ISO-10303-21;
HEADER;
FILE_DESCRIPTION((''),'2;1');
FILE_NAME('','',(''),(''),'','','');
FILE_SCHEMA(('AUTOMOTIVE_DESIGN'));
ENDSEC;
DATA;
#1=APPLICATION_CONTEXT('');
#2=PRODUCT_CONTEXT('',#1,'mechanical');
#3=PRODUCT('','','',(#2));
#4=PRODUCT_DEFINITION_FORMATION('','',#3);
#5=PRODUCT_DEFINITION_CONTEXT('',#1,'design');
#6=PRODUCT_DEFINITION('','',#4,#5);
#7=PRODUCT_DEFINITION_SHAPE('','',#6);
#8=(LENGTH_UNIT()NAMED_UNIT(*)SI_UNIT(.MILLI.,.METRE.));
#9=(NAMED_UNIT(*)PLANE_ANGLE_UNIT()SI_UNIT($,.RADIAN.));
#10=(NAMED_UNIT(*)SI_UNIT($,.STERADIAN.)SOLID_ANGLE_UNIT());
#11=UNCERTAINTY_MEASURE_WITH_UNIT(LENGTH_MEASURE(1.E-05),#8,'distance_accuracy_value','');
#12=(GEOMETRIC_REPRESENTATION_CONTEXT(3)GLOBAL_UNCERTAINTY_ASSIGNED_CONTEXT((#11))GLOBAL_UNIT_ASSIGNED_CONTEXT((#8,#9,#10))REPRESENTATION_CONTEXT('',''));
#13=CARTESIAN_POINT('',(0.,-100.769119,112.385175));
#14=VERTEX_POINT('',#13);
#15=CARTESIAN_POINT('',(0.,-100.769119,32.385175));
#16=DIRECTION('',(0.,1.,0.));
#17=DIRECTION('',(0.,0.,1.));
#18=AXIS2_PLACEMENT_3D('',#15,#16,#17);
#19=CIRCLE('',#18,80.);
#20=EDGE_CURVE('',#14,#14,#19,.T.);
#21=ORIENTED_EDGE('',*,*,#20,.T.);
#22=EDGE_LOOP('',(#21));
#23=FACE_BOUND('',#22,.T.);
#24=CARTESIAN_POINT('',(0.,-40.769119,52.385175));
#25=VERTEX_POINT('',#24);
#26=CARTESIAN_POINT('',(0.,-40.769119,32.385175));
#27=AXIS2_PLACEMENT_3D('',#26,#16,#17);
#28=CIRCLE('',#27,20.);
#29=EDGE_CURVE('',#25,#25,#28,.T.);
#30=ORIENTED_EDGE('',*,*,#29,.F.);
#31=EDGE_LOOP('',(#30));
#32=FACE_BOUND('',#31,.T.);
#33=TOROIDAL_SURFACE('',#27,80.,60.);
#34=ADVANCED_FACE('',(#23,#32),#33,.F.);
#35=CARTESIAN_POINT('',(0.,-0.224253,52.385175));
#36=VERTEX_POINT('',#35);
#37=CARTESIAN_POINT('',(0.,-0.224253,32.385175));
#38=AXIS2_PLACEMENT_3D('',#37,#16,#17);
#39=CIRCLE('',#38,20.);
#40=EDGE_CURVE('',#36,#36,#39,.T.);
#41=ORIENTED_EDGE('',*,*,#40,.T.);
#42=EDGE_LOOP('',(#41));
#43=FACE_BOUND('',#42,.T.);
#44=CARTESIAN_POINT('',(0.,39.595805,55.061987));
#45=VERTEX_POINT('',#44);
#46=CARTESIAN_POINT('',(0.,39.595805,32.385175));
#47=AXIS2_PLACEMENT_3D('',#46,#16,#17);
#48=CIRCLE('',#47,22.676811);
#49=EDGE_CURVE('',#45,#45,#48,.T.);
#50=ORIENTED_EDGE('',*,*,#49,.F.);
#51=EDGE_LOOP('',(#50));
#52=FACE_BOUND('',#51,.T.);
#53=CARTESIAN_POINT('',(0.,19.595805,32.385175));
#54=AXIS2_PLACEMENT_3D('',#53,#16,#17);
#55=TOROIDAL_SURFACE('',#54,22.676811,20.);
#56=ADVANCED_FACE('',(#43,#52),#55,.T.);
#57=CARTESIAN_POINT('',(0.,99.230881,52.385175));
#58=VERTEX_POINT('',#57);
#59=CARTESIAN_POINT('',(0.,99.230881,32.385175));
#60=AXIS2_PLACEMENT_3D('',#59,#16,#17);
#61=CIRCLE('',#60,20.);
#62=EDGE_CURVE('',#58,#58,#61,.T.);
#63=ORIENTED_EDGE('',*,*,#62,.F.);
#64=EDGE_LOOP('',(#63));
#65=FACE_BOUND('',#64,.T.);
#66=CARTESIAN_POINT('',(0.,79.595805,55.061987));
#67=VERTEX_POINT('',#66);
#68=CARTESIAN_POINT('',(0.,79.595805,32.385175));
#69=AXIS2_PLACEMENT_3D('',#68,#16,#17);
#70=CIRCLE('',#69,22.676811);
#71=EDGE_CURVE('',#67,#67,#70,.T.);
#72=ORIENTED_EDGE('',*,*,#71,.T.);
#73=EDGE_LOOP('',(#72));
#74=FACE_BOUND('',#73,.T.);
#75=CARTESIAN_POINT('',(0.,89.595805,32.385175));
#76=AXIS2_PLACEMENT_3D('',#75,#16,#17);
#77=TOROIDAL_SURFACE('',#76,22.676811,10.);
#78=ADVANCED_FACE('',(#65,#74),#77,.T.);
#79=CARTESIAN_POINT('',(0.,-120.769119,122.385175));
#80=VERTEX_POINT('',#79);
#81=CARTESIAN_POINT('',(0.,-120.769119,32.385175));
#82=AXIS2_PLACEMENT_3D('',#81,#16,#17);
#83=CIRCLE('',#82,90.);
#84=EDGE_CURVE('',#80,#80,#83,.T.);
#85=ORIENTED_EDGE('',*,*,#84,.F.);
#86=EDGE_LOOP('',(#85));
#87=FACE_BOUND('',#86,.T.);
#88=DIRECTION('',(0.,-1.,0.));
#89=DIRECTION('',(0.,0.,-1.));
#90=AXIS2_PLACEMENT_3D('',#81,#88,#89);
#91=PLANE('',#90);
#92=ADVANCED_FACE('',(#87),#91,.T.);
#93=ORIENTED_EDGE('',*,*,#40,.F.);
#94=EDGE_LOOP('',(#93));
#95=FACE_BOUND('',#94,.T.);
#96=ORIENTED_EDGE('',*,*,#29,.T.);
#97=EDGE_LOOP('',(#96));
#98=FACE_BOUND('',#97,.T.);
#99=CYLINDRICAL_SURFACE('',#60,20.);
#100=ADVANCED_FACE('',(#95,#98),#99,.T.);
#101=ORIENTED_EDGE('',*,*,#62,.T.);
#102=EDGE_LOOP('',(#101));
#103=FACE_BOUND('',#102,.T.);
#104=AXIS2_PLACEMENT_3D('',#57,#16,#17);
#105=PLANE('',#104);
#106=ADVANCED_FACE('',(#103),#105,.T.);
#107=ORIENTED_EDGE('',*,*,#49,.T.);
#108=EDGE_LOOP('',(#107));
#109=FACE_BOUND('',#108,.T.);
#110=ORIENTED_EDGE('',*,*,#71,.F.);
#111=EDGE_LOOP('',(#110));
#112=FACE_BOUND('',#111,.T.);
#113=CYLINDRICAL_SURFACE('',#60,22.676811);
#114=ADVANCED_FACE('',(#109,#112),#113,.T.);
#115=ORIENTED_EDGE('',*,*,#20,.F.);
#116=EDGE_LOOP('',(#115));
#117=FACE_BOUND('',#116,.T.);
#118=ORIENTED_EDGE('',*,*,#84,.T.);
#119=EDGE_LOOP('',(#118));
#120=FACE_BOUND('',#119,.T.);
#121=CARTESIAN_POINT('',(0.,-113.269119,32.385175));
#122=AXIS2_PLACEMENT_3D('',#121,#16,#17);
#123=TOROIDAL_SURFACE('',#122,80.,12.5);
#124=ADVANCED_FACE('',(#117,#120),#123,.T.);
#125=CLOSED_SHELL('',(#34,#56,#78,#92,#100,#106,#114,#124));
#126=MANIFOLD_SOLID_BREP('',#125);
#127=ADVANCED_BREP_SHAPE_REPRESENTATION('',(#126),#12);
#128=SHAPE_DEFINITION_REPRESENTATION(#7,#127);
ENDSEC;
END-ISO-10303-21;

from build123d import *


with BuildPart() as part:
    # Sketch1 → Revolve1 (revolve)
    with BuildSketch(Plane(origin=(0, 0, 0), x_dir=(0, 0, -1), z_dir=(1, 0, 0))):
        with BuildLine():
            Line((-55.061986557, 79.595805047), (-55.061986557, 39.595805047))
            ThreePointArc((-55.061986557, 39.595805047), (-75.016950242, 18.254378823), (-52.385175398, -0.224252521))
            Line((-52.385175398, -0.224252521), (-52.385175398, -40.769119342))
            ThreePointArc((-52.385175398, -40.769119342), (-69.958768526, -83.195526213), (-112.385175398, -100.769119342))
            ThreePointArc((-112.385175398, -100.769119342), (-123.565515285, -107.678949398), (-122.385175398, -120.769119342))
            Line((-122.385175398, -120.769119342), (-32.385175398, -120.769119342))
            Line((-32.385175398, -120.769119342), (-32.385175398, 99.230880658))
            Line((-32.385175398, 99.230880658), (-52.385175398, 99.230880658))
            ThreePointArc((-52.385175398, 99.230880658), (-64.970335463, 90.946590726), (-55.061986557, 79.595805047))
        make_face()
    revolve(axis=Axis((0, 99.230880658, 32.385175398), (0, -1, 0)))


solid = part.part
